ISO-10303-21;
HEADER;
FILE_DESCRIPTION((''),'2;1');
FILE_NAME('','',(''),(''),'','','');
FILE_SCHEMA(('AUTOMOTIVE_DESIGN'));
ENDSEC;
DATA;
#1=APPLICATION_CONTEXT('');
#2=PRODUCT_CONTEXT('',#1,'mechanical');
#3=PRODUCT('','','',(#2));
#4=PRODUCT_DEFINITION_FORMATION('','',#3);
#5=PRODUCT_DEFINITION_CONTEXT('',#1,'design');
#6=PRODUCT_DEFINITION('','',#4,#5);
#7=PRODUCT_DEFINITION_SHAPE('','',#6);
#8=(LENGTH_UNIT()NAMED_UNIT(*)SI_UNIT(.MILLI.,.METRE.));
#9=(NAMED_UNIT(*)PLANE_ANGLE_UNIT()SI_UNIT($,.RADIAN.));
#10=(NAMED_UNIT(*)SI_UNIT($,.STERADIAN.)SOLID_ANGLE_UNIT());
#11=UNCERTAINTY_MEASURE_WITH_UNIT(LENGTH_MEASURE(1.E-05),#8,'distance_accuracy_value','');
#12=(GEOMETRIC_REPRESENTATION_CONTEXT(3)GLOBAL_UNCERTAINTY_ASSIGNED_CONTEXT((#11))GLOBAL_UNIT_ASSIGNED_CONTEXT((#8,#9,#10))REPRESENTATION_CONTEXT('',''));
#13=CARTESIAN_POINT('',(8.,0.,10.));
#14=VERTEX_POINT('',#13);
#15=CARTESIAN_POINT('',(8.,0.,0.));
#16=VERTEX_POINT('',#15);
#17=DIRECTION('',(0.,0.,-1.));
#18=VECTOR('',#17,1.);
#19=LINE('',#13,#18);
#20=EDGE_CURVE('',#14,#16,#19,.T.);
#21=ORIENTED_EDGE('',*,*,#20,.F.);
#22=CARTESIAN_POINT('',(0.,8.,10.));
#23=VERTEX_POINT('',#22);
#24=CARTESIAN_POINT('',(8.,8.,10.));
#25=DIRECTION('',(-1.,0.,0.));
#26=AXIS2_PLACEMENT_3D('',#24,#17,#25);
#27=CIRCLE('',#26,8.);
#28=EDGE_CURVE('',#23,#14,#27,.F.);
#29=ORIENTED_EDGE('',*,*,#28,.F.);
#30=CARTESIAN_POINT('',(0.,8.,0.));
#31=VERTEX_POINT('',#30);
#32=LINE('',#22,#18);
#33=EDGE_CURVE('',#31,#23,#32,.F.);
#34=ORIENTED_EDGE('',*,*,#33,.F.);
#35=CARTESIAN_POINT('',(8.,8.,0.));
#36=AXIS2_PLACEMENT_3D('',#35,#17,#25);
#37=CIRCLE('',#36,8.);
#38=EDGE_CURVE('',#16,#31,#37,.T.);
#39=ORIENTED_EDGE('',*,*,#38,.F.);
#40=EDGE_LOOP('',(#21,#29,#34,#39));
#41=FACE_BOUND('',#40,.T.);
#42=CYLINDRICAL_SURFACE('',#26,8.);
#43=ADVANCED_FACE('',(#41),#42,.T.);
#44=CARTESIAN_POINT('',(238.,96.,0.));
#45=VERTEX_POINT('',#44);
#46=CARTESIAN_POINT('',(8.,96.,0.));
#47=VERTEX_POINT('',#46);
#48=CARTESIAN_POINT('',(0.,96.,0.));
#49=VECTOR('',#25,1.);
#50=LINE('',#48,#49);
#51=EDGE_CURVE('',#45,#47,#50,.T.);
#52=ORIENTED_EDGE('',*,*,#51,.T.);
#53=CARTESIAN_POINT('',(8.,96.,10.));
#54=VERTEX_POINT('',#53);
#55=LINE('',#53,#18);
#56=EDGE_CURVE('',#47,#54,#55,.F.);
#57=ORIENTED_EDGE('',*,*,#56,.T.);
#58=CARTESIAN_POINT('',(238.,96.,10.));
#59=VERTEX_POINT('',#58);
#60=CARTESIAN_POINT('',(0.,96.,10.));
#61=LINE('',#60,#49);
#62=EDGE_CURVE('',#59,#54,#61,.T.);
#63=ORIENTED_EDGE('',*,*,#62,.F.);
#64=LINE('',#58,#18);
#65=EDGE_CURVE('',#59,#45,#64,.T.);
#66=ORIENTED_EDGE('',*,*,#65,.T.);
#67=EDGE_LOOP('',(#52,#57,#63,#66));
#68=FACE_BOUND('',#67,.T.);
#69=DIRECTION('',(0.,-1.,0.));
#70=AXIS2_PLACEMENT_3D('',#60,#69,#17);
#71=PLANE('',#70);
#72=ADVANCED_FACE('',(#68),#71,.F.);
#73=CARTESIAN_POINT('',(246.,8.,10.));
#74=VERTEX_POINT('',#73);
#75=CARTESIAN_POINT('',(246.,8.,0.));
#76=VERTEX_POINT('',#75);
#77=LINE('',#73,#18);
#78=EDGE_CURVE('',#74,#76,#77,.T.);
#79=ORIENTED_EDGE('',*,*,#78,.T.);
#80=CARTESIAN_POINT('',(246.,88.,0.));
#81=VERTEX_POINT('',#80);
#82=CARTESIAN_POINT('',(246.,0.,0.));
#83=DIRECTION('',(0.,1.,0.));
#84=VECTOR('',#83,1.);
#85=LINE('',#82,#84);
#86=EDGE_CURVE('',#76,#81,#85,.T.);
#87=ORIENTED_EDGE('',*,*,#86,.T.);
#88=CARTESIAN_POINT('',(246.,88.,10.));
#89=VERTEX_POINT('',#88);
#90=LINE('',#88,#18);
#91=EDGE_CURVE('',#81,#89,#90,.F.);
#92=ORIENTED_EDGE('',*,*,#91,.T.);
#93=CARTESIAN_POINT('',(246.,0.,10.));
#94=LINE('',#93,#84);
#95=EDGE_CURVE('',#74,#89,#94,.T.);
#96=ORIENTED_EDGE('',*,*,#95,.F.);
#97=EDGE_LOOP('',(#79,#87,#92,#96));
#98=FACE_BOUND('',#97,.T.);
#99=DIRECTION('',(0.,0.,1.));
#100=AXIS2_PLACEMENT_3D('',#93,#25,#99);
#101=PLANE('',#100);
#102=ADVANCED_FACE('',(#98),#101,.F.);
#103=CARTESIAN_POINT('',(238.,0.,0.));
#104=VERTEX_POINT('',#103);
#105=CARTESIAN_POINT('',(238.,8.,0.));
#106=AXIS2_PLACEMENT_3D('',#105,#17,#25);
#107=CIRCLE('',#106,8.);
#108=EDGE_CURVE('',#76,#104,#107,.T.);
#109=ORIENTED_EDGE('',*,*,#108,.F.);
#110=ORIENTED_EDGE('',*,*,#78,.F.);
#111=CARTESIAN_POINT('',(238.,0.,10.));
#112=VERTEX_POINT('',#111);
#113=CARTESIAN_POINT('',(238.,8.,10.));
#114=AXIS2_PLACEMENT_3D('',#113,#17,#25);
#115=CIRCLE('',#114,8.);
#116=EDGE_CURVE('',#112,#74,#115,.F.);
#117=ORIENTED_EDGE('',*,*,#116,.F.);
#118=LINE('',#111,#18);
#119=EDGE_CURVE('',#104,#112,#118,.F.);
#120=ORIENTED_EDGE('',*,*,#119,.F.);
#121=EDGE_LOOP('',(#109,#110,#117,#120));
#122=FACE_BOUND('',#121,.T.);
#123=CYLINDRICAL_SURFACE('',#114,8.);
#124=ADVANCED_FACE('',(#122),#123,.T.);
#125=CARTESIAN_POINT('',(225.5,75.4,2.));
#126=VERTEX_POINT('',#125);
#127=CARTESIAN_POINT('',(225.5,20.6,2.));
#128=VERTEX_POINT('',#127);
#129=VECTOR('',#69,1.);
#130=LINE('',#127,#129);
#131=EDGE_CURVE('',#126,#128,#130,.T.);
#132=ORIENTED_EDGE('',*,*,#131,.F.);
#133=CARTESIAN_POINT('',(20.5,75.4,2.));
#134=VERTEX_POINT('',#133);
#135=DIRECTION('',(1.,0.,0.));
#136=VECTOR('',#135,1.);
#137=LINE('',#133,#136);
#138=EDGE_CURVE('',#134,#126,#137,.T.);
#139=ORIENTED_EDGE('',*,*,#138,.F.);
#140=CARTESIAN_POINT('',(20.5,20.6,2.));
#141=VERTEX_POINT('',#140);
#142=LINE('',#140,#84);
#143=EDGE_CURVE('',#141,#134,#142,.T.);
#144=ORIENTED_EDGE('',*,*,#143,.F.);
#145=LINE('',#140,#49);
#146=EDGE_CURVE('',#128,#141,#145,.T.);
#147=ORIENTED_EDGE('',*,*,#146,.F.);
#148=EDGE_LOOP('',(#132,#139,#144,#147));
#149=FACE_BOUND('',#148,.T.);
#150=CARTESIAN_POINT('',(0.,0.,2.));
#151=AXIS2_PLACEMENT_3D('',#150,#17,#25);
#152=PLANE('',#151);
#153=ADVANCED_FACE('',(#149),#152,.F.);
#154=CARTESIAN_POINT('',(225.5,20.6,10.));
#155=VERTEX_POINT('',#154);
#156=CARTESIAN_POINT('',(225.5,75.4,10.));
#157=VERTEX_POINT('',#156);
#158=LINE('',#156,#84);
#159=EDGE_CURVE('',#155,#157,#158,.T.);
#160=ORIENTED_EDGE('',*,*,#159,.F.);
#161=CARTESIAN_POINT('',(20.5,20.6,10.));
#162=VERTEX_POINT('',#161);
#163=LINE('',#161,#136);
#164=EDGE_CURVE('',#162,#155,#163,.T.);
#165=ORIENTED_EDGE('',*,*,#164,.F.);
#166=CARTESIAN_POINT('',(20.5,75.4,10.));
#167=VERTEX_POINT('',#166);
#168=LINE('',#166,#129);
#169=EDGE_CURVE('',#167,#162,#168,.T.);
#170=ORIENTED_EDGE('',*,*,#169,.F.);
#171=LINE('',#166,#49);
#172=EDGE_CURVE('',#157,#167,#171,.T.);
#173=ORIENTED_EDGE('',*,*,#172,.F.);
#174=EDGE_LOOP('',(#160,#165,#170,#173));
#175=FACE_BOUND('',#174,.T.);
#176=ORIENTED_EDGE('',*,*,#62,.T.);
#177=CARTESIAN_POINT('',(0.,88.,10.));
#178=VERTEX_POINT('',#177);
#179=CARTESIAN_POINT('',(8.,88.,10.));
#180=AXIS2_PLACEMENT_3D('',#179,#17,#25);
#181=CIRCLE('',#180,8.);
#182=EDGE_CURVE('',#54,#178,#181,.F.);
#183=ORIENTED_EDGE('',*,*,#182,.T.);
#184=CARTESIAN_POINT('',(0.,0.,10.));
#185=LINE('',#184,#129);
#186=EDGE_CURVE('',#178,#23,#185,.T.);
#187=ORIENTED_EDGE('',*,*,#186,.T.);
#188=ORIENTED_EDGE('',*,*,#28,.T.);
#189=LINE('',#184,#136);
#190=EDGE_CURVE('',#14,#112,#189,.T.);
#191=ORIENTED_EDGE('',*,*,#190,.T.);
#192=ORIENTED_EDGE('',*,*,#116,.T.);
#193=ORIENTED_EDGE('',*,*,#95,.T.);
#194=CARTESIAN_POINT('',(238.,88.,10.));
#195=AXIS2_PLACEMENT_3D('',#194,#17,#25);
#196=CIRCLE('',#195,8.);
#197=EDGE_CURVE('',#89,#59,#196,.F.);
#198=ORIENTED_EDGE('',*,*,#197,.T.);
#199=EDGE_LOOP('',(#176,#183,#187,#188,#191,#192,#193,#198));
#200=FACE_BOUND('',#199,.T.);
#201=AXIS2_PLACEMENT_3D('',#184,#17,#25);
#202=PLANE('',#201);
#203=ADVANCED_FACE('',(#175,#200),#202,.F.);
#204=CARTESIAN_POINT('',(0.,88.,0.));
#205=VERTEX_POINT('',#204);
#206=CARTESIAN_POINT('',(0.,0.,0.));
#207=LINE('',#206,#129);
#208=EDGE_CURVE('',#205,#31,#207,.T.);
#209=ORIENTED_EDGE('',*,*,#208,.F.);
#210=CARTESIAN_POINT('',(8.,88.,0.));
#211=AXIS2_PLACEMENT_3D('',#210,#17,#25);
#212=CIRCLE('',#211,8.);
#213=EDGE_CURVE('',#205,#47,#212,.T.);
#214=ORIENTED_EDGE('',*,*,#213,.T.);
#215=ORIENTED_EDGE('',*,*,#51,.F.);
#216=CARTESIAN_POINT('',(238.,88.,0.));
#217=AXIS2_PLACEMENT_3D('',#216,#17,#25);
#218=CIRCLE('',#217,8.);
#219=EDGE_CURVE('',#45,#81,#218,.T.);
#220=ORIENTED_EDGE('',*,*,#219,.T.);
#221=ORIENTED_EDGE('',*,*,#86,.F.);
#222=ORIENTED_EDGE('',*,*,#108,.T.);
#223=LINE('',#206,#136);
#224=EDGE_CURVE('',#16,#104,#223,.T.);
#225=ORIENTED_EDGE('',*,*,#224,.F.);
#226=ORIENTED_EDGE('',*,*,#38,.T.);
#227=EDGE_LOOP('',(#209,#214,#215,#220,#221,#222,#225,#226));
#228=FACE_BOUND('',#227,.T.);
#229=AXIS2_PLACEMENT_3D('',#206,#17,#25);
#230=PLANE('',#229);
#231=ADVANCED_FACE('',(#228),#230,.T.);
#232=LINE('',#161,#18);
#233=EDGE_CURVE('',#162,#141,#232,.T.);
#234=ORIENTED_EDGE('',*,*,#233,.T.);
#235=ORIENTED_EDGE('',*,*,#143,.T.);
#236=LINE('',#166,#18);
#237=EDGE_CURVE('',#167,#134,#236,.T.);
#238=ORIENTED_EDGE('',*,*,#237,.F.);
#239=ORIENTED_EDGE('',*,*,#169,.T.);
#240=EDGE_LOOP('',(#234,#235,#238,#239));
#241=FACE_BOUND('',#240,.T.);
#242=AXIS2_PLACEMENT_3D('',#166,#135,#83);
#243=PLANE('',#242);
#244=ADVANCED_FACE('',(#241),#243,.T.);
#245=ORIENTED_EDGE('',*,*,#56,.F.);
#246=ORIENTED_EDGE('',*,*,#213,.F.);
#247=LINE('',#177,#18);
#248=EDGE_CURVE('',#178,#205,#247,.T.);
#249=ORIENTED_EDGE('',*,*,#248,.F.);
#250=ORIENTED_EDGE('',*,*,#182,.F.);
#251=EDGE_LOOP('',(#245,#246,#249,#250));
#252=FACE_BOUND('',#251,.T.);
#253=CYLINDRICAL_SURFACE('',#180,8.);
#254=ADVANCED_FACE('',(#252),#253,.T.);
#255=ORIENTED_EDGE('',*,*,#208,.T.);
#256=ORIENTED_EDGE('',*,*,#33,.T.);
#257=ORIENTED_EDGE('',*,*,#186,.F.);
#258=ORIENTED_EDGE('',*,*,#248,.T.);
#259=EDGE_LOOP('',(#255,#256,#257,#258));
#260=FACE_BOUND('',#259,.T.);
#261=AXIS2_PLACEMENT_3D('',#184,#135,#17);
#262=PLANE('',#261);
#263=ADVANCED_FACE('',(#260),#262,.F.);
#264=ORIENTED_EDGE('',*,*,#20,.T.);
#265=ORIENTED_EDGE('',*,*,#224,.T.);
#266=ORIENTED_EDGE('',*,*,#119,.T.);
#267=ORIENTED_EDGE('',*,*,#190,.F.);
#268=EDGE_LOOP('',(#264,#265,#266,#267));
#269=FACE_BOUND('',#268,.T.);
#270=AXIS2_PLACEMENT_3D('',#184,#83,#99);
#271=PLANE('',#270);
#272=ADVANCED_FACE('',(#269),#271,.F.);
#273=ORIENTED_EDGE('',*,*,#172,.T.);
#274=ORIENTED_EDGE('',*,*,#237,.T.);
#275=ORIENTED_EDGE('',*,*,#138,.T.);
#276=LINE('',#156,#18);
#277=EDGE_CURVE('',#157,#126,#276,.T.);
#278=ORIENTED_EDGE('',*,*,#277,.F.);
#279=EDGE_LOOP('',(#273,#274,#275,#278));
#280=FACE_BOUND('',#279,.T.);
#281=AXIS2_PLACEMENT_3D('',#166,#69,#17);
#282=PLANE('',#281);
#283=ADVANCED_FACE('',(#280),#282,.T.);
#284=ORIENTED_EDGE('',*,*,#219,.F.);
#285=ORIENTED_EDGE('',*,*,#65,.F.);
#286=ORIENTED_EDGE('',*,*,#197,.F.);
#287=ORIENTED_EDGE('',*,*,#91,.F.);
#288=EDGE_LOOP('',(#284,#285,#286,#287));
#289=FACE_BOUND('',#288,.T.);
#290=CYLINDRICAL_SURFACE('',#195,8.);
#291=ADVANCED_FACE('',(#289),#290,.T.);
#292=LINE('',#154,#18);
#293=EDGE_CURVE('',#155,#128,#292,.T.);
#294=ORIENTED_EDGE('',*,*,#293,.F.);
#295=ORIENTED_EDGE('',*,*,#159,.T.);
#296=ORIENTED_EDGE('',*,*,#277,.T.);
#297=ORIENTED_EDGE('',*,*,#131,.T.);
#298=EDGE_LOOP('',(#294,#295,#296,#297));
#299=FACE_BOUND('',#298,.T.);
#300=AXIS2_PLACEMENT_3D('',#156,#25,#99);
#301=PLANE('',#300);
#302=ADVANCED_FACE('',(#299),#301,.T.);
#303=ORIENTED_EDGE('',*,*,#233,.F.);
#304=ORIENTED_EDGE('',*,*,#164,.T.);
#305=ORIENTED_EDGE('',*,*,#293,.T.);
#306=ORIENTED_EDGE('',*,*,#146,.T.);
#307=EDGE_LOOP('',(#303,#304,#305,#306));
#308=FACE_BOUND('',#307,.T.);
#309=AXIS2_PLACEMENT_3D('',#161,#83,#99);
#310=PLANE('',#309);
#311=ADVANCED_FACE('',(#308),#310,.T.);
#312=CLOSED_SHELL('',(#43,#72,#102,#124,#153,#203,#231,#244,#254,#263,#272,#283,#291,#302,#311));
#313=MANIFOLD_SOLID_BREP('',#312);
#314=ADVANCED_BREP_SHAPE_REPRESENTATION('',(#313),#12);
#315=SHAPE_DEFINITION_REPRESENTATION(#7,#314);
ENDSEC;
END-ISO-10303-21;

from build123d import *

# Parameters (mm, degrees)
ESQUISSE2_W        = 246
ESQUISSE2_H        = 96
ESQUISSE2_W_2      = 205
ESQUISSE2_H_2      = 54.8
BOSS_EXTRU_1_DEPTH = 10
CONG_1_R           = 8
ESQUISSE3_W        = 205
ESQUISSE3_H        = 54.8
BOSS_EXTRU_2_DEPTH = 2


with BuildPart() as part:
    # Esquisse2 → Boss.-Extru.1 (new body)
    with BuildSketch(Plane.XY):
        with Locations((123, 48)):
            Rectangle(ESQUISSE2_W, ESQUISSE2_H)
        with Locations((123, 48)):
            Rectangle(ESQUISSE2_W_2, ESQUISSE2_H_2, mode=Mode.SUBTRACT)
    extrude(amount=BOSS_EXTRU_1_DEPTH)

    # Congé1
    cong_1_edges = [part.edges().sort_by_distance(p)[0] for p in [
        (0, 96, 5),
        (246, 96, 5),
        (246, 0, 5),
        (0, 0, 5),
    ]]
    fillet(cong_1_edges, radius=CONG_1_R)

    # Esquisse3 → Boss.-Extru.2 (add)
    with BuildSketch(Plane(origin=(0, 0, 0), x_dir=(-1, 0, 0), z_dir=(0, 0, -1))):
        with Locations((-123, 48)):
            Rectangle(ESQUISSE3_W, ESQUISSE3_H)
    extrude(amount=-BOSS_EXTRU_2_DEPTH)


solid = part.part
